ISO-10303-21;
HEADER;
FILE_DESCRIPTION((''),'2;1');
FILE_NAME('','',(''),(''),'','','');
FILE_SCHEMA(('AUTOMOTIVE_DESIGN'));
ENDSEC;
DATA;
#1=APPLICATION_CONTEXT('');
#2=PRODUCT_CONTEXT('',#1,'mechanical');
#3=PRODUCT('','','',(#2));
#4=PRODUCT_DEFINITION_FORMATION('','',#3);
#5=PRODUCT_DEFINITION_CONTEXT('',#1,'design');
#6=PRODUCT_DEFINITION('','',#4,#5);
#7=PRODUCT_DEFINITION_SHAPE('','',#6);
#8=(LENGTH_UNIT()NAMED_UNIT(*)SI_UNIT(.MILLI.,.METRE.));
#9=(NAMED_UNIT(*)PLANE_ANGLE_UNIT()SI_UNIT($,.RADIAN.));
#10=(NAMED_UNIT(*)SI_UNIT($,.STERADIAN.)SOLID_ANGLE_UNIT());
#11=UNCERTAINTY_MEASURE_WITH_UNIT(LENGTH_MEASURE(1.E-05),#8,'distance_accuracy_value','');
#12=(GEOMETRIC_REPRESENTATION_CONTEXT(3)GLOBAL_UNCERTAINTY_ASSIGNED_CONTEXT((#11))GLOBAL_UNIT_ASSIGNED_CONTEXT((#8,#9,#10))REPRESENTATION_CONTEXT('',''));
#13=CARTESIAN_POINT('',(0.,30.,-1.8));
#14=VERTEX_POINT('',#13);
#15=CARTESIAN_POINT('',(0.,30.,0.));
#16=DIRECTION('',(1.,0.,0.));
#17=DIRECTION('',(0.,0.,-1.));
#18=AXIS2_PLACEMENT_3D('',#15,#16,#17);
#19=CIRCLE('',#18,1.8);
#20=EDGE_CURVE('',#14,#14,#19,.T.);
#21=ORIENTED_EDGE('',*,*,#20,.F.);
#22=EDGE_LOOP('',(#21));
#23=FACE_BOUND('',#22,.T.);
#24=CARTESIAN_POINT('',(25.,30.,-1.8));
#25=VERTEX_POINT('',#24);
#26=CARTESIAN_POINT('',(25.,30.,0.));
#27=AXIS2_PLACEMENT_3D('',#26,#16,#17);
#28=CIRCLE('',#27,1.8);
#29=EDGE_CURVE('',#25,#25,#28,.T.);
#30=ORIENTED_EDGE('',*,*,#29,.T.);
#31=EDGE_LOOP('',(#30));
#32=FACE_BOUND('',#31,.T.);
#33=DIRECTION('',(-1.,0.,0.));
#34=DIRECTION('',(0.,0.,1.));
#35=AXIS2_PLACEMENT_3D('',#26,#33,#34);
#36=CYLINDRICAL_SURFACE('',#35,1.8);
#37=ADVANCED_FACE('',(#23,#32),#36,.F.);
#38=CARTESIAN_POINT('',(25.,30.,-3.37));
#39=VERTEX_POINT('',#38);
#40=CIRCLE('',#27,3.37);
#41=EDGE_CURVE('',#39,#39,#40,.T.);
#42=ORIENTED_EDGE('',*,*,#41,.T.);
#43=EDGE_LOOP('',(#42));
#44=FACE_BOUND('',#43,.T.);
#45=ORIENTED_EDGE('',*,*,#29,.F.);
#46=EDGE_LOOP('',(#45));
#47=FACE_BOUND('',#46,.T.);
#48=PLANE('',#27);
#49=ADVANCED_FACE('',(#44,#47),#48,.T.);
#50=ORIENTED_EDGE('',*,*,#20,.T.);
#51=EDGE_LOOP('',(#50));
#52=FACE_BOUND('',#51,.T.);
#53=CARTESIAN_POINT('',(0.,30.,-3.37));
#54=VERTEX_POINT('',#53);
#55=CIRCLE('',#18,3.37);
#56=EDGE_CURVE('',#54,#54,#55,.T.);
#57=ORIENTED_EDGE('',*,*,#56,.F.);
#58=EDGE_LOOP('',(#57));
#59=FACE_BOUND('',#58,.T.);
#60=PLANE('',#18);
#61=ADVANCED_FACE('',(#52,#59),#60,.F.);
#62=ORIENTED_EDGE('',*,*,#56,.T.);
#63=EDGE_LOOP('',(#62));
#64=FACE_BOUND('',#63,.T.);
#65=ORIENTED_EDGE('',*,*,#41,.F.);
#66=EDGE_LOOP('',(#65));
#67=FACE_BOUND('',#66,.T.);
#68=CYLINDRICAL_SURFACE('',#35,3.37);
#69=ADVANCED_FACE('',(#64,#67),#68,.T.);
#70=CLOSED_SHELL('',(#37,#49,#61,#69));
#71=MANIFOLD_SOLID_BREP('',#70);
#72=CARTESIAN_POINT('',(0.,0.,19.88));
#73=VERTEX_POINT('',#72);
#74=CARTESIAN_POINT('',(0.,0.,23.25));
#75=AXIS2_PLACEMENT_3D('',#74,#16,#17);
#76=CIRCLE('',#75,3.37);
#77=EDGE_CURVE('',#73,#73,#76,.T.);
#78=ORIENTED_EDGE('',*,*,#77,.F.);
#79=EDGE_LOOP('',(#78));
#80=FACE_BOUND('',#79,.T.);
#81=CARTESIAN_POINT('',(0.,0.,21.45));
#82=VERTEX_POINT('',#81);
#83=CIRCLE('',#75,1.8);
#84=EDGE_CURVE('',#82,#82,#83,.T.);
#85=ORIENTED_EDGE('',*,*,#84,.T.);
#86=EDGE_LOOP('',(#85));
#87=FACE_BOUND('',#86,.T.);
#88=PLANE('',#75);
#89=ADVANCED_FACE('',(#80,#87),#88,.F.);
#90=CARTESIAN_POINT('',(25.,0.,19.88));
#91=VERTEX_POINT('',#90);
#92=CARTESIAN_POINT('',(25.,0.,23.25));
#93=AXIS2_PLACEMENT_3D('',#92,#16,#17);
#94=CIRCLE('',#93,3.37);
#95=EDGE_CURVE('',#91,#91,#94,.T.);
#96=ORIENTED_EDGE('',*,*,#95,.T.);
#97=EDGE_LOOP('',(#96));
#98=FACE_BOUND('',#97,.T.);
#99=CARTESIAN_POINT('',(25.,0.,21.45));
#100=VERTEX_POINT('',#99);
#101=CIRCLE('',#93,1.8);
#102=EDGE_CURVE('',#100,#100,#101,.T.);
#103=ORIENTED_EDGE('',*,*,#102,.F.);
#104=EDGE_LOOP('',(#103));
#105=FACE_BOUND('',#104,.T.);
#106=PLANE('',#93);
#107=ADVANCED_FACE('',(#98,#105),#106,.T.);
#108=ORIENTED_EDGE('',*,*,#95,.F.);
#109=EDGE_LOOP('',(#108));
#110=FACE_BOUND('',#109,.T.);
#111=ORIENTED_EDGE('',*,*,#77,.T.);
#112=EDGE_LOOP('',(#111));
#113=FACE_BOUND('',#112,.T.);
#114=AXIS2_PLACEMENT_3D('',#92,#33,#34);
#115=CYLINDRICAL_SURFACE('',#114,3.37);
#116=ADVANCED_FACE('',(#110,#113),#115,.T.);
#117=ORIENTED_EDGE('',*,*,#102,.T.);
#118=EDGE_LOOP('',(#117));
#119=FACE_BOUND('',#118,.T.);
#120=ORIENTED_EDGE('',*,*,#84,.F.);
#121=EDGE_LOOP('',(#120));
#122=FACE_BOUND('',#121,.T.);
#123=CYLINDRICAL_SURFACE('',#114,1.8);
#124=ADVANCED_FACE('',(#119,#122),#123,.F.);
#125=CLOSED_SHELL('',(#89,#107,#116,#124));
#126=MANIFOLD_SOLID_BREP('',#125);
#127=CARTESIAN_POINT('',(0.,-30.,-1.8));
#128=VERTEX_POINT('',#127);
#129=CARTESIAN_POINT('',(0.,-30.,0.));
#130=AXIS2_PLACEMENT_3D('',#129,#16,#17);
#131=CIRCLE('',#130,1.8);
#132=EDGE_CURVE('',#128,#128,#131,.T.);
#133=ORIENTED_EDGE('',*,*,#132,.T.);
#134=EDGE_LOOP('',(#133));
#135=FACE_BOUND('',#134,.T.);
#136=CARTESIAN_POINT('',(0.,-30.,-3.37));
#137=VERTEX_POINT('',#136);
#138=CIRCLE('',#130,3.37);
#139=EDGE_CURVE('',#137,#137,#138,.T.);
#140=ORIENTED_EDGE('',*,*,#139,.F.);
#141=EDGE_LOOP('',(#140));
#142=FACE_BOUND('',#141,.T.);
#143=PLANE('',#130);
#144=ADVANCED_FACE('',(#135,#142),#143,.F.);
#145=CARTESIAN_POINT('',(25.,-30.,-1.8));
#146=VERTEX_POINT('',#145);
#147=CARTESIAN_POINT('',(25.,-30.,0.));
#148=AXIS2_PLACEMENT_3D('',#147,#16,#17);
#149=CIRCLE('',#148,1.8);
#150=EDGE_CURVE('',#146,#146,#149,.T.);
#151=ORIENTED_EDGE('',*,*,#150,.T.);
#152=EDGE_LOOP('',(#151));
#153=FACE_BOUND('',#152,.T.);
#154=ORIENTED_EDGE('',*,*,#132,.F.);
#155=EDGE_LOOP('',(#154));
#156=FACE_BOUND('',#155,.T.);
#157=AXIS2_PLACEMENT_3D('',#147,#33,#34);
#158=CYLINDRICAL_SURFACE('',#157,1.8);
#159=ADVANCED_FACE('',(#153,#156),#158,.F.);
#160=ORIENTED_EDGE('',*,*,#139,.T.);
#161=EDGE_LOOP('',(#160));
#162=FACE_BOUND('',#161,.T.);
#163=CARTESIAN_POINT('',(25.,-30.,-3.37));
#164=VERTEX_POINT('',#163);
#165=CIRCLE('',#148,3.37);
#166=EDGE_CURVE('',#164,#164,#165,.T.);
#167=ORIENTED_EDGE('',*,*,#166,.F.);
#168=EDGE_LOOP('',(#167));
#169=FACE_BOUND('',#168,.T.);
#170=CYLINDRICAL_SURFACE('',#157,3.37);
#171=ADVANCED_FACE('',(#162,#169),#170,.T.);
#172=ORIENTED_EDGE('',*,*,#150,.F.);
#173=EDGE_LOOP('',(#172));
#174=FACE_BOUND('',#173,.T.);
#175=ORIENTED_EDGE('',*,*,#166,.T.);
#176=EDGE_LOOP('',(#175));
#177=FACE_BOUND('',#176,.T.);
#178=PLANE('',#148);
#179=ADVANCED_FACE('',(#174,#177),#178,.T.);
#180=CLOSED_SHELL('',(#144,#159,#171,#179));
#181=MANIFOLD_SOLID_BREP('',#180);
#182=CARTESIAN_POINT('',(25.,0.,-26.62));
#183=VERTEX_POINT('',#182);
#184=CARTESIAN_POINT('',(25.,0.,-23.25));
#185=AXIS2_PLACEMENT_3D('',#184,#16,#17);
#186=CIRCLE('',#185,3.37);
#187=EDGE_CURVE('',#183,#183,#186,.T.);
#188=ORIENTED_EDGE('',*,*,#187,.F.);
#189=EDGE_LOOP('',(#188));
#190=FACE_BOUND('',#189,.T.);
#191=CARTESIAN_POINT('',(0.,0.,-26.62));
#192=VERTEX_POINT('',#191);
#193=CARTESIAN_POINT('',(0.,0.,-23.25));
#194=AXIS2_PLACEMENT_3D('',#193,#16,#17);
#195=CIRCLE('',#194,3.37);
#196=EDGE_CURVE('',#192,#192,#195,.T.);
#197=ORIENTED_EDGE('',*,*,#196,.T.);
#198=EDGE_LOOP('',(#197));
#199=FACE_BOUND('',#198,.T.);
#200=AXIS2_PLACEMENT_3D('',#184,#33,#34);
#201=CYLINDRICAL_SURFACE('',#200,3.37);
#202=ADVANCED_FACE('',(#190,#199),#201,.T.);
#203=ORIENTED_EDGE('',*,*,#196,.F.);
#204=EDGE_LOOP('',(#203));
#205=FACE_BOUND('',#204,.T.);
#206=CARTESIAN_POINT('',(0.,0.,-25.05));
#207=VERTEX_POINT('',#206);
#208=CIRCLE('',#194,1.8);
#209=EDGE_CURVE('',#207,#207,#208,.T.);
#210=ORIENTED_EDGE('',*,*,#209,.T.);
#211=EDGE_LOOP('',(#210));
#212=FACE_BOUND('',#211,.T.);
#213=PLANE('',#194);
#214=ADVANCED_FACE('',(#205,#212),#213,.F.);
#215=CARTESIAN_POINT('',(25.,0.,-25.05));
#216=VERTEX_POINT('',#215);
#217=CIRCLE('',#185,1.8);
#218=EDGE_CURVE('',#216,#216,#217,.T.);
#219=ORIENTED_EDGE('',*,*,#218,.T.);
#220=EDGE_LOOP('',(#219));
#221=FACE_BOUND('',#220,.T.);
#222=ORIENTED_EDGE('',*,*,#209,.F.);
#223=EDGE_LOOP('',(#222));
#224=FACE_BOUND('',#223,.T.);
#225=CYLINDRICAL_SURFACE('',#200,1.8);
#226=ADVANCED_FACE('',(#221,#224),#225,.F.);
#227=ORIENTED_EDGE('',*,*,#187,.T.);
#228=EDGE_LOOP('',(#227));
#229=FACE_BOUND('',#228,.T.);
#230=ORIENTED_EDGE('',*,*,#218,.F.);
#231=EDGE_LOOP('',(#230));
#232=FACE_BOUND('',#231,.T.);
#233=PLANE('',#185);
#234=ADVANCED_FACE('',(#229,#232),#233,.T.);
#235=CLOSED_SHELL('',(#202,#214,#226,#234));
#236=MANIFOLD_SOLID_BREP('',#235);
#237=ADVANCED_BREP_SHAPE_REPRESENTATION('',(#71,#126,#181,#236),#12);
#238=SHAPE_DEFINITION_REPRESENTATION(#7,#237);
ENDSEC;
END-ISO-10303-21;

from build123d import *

# Parameters (mm, degrees)
SKETCH3_R             = 3.37
SKETCH3_R_2           = 1.8
BOSS_EXTRUDE1_DEPTH   = 25
BOSS_EXTRUDE1_2_DEPTH = 25
BOSS_EXTRUDE1_3_DEPTH = 25
BOSS_EXTRUDE1_4_DEPTH = 25


with BuildPart() as part:
    # Sketch3 → Boss-Extrude1 (new body)
    with BuildSketch(Plane.YZ):
        with Locations(Location((0, 23.25, 0), (0, 0, 270))):
            Circle(SKETCH3_R)
        with Locations(Location((0, 23.25, 0), (0, 0, 270))):
            Circle(SKETCH3_R_2, mode=Mode.SUBTRACT)
    extrude(amount=BOSS_EXTRUDE1_DEPTH)


with BuildPart() as body_2:
    # Sketch3 → Boss-Extrude1 2 (new body)
    with BuildSketch(Plane.YZ):
        with Locations(Location((30, 0, 0), (0, 0, 270))):
            Circle(SKETCH3_R)
        with Locations(Location((30, 0, 0), (0, 0, 270))):
            Circle(SKETCH3_R_2, mode=Mode.SUBTRACT)
    extrude(amount=BOSS_EXTRUDE1_2_DEPTH)


with BuildPart() as body_3:
    # Sketch3 → Boss-Extrude1 3 (new body)
    with BuildSketch(Plane.YZ):
        with Locations(Location((0, -23.25, 0), (0, 0, 270))):
            Circle(SKETCH3_R)
        with Locations(Location((0, -23.25, 0), (0, 0, 270))):
            Circle(SKETCH3_R_2, mode=Mode.SUBTRACT)
    extrude(amount=BOSS_EXTRUDE1_3_DEPTH)


with BuildPart() as body_4:
    # Sketch3 → Boss-Extrude1 4 (new body)
    with BuildSketch(Plane.YZ):
        with Locations(Location((-30, 0, 0), (0, 0, 270))):
            Circle(SKETCH3_R)
        with Locations(Location((-30, 0, 0), (0, 0, 270))):
            Circle(SKETCH3_R_2, mode=Mode.SUBTRACT)
    extrude(amount=BOSS_EXTRUDE1_4_DEPTH)


solid = Compound([part.part, body_2.part, body_3.part, body_4.part])
